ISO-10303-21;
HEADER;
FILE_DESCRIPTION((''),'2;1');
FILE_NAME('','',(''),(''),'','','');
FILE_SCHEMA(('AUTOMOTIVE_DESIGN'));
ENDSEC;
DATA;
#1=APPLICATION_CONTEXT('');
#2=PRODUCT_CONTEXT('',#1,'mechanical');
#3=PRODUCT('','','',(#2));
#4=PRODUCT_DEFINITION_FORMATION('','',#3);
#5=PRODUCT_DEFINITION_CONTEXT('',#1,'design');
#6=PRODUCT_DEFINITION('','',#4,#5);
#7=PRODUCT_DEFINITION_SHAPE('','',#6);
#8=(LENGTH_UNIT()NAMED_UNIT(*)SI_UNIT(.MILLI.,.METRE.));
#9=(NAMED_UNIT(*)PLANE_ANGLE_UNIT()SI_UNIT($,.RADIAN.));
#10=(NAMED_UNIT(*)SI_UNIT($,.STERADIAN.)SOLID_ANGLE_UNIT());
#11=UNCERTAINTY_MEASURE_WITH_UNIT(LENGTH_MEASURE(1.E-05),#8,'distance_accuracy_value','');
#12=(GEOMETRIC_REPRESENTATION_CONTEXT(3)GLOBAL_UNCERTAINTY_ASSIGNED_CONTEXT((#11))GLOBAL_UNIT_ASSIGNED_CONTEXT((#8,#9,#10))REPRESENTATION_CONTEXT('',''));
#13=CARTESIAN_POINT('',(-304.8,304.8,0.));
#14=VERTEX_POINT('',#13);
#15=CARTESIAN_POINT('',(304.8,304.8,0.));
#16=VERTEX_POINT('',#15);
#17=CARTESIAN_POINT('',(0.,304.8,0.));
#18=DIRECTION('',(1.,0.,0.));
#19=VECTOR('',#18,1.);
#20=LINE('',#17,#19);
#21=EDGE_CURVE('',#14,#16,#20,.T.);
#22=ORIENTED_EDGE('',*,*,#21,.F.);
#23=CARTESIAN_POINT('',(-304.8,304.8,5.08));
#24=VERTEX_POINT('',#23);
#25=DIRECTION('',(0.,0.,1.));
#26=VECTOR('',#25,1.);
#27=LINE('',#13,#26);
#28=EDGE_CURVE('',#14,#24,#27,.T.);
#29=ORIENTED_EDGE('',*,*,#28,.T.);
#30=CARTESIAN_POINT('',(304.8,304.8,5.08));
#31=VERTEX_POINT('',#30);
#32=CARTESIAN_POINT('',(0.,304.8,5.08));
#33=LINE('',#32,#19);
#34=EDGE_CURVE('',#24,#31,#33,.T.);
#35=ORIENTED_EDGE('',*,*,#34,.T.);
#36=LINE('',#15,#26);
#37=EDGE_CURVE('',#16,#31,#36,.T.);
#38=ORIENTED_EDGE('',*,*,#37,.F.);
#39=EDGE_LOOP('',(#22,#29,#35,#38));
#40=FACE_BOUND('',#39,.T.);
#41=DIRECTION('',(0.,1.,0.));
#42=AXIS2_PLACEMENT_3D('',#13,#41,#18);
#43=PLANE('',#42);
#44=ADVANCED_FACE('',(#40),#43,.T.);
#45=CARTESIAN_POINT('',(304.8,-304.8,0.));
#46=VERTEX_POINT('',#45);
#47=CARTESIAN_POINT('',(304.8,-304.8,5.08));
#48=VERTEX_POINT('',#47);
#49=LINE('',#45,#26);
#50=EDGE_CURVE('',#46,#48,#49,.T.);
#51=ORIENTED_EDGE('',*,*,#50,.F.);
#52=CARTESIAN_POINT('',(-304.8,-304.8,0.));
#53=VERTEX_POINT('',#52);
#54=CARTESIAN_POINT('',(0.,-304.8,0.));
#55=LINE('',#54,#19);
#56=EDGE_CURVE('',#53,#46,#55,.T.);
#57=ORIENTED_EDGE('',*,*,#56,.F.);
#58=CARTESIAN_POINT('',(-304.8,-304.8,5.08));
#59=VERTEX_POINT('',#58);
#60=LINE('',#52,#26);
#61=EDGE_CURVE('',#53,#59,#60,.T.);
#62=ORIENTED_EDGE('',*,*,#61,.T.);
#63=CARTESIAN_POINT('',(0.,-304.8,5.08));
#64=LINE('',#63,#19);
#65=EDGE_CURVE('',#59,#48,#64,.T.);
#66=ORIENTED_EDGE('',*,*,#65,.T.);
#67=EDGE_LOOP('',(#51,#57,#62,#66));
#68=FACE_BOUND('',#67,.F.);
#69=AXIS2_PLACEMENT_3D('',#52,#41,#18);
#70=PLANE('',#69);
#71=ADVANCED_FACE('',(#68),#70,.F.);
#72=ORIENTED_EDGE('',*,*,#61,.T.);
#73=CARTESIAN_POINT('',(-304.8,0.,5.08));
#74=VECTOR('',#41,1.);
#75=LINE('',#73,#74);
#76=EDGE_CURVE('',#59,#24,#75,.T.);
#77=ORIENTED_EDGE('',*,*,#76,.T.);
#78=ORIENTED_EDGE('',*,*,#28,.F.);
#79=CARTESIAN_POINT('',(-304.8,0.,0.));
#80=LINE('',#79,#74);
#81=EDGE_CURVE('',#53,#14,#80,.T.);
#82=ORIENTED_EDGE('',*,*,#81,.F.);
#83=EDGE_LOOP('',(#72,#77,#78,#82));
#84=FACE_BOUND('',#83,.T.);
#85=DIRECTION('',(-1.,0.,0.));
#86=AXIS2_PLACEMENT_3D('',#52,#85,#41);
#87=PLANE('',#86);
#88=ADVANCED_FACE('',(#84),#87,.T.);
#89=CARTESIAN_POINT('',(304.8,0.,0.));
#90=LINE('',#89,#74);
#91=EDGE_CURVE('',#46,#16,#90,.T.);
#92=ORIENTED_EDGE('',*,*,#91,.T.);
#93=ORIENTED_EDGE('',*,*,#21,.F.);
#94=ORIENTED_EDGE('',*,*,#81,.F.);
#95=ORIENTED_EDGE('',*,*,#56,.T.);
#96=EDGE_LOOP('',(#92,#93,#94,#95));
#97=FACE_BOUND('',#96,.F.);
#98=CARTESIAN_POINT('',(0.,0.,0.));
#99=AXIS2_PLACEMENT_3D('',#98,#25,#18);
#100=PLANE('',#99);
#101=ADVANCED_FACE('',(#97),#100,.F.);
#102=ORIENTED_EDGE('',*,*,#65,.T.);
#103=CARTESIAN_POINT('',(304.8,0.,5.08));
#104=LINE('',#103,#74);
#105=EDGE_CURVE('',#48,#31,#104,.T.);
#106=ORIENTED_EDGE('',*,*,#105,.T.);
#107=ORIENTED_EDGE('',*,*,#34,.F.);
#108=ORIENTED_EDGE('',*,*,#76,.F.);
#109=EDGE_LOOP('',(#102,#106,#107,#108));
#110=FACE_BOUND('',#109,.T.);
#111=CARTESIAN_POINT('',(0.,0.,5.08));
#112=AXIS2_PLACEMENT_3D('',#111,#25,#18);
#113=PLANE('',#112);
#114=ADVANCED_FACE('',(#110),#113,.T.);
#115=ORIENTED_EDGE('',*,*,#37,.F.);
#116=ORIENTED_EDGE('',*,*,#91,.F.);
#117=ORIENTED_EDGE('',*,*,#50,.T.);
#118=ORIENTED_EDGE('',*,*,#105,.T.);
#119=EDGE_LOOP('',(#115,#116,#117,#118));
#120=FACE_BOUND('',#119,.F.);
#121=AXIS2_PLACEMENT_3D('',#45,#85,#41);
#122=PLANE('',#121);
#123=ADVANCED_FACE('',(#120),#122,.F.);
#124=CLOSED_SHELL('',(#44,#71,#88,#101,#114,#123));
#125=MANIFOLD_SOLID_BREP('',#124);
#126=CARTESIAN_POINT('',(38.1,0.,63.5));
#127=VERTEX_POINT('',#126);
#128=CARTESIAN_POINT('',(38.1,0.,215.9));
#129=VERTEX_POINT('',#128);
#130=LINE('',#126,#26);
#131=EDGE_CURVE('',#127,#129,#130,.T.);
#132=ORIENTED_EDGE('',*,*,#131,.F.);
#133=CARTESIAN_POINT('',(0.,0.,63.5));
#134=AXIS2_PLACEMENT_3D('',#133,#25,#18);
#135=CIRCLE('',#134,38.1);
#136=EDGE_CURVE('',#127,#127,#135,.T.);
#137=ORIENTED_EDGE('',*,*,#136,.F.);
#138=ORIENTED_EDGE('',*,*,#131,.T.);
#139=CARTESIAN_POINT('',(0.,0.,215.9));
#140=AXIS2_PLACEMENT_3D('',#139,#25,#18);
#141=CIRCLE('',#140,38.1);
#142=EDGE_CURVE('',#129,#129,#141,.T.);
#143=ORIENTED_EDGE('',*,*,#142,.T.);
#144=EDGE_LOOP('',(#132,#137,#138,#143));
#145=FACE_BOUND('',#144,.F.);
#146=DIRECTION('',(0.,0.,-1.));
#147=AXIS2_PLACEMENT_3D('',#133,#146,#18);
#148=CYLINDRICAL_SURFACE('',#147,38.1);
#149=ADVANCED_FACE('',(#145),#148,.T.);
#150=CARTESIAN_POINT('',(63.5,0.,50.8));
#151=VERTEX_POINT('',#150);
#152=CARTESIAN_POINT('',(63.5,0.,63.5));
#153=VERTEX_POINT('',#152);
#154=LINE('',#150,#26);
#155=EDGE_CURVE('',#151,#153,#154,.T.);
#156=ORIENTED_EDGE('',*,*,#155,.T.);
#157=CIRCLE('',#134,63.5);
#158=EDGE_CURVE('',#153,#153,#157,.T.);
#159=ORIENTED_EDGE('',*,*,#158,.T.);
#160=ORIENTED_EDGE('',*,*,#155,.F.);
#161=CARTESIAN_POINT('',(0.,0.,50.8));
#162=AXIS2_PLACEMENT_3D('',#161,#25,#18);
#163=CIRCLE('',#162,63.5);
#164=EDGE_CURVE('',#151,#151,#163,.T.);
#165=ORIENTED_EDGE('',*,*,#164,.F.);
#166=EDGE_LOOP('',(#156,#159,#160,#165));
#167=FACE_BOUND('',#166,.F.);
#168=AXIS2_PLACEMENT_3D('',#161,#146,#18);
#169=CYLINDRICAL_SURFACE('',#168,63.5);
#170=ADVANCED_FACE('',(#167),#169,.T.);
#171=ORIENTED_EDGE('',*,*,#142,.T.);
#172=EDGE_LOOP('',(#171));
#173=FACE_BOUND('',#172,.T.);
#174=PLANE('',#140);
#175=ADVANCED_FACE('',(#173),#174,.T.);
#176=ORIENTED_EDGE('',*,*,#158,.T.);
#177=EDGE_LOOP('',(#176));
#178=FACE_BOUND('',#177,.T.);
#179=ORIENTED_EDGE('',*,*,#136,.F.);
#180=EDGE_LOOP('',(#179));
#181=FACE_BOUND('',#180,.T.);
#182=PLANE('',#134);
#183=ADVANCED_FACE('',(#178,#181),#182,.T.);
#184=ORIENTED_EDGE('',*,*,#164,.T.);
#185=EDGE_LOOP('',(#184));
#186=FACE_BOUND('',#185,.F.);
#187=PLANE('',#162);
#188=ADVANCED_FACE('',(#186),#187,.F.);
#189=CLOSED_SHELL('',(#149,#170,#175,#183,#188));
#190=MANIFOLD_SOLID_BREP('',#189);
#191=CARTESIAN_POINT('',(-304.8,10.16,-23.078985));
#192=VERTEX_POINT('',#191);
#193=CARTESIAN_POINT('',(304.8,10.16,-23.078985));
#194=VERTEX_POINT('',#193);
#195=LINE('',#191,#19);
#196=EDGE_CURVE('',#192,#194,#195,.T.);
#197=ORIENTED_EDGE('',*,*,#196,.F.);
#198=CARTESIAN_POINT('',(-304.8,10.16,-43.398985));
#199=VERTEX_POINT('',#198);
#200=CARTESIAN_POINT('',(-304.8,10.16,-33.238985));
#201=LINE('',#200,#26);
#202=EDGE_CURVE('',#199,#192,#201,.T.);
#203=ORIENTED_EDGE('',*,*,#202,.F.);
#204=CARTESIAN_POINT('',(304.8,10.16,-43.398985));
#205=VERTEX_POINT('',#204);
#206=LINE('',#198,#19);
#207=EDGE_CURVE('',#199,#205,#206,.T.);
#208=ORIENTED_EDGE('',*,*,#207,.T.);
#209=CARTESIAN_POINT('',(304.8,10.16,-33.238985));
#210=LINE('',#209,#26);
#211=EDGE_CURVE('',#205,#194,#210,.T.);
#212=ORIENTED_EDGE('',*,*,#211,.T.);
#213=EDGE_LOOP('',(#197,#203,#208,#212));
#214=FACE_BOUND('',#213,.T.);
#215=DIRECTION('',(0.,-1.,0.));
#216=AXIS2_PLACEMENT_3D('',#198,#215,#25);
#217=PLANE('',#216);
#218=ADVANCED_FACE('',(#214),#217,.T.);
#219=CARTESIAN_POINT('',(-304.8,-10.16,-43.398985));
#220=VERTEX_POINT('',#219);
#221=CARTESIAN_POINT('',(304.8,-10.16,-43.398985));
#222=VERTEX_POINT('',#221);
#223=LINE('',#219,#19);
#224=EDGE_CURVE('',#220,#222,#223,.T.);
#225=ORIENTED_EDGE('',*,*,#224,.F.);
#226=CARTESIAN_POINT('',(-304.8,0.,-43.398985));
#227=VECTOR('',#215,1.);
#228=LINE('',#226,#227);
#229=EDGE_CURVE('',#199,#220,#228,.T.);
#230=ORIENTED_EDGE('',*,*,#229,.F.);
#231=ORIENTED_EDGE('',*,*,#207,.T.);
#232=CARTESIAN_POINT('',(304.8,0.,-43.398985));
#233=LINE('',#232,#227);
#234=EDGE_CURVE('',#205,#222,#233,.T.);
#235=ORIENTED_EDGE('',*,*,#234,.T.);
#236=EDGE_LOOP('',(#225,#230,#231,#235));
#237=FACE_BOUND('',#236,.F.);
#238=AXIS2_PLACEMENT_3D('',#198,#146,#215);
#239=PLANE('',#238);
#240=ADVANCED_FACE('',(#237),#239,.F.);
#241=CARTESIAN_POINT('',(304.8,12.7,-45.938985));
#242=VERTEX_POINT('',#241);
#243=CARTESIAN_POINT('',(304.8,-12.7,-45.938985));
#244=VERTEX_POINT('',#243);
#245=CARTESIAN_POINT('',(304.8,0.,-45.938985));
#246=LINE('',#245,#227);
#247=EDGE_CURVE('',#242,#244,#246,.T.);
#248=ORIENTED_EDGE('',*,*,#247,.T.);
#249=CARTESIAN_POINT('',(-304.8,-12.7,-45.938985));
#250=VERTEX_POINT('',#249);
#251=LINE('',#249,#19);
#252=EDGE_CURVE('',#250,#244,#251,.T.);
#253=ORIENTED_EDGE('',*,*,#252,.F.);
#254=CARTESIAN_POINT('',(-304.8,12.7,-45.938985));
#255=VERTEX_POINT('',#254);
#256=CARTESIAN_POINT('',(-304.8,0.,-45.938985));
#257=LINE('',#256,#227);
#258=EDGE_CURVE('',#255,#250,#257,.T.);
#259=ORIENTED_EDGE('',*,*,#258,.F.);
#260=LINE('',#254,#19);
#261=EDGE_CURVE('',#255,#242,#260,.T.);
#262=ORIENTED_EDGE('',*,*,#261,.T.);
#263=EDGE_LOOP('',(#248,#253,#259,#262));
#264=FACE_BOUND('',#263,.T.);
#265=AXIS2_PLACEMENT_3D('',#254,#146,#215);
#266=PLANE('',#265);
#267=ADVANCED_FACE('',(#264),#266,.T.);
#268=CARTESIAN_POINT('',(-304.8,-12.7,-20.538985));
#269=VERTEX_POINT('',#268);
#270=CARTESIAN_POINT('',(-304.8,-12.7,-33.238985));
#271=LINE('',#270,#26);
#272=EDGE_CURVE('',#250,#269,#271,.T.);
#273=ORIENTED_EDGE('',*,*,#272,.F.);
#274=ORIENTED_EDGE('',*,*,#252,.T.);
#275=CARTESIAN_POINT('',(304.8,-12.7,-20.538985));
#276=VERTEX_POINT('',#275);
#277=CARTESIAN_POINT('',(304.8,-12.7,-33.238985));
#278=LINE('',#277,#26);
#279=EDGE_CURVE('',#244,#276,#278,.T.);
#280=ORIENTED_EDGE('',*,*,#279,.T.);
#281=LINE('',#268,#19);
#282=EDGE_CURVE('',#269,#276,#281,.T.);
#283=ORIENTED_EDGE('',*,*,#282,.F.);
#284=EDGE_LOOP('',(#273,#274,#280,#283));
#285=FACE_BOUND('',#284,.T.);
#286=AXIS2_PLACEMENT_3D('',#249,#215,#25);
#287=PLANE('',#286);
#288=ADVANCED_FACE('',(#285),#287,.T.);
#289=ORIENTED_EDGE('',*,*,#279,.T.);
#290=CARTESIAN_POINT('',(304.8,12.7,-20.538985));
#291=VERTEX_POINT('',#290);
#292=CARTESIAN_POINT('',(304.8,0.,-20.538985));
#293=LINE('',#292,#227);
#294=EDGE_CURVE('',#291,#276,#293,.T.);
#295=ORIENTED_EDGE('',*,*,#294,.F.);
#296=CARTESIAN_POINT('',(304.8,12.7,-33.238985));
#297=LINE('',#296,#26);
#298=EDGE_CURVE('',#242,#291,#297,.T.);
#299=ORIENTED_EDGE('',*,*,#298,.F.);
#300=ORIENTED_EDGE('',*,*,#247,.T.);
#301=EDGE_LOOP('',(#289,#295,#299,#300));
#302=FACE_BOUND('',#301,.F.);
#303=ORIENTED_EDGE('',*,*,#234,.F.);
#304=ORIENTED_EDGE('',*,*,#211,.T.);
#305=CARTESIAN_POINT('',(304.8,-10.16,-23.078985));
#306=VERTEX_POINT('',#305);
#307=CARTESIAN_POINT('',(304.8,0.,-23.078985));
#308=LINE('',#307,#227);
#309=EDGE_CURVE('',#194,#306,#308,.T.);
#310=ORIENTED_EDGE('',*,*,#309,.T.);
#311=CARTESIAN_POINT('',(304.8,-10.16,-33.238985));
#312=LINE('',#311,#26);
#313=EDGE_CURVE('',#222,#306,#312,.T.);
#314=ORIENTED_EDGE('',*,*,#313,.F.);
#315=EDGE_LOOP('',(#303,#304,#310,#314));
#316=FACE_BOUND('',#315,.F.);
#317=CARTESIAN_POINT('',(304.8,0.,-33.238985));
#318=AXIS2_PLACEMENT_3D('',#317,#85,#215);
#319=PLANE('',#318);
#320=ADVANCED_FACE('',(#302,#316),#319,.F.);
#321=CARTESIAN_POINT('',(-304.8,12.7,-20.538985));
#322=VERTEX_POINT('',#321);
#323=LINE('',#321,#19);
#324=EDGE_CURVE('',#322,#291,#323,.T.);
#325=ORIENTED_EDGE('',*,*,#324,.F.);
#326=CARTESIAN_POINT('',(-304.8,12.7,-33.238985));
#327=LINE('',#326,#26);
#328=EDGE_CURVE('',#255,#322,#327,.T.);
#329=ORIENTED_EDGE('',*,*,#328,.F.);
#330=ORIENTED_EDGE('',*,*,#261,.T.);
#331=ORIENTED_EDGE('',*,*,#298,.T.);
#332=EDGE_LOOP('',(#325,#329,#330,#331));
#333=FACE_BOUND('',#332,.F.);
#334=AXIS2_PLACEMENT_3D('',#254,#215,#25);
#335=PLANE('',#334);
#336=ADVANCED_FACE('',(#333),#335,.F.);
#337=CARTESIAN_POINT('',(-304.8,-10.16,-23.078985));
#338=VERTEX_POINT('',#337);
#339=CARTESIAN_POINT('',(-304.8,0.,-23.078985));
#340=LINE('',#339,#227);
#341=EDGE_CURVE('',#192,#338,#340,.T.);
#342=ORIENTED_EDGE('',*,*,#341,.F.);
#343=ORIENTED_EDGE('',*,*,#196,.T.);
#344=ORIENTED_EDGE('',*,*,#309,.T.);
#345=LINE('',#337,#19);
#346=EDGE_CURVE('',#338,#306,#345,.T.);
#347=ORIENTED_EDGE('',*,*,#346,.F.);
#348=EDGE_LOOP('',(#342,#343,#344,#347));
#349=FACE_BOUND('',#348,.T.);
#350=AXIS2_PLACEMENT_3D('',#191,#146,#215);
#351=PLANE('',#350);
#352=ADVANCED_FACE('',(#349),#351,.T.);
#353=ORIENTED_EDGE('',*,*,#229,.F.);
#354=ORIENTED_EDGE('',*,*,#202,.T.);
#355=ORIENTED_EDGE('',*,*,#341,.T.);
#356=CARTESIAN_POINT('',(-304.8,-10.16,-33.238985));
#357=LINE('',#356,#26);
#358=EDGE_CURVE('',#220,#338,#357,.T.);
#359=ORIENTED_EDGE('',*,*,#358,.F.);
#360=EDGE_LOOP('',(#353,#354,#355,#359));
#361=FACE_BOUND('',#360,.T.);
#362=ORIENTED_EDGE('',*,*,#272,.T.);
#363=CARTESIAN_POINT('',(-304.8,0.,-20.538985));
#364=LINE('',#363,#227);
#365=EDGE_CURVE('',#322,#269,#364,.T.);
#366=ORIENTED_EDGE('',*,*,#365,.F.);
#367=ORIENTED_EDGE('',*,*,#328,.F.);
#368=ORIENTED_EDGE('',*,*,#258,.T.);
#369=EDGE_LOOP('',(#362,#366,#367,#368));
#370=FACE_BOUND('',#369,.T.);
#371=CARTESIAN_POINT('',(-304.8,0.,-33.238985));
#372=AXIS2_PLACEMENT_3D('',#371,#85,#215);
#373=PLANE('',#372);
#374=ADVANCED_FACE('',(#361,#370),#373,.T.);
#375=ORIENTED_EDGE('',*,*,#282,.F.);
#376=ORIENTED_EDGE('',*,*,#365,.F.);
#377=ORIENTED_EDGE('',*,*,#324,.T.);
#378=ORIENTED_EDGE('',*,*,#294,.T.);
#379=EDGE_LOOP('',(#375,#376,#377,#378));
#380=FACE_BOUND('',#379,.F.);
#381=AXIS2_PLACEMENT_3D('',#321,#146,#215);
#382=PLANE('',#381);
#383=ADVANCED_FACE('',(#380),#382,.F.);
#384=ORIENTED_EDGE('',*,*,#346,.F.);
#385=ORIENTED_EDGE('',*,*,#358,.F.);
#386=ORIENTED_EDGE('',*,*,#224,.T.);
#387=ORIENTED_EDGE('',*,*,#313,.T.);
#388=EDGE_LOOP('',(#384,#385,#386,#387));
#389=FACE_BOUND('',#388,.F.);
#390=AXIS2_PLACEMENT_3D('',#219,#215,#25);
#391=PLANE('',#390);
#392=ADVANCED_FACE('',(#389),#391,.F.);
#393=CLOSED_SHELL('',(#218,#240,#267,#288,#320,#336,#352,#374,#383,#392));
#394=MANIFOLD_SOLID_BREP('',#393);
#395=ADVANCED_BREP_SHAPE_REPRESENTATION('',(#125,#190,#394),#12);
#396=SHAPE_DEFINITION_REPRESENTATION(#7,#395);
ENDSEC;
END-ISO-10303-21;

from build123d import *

# Parameters (mm, degrees)
F0_W     = 609.6
F0_H     = 609.6
F1_DEPTH = 5.08
F2_W     = 25.4
F2_H     = 25.4
F2_W_2   = 20.32
F2_H_2   = 20.32
F3_DEPTH = 609.6
F5_R     = 63.5
F6_DEPTH = 12.7
F7_R     = 38.1
F8_DEPTH = 152.4


with BuildPart() as f1:
    # F0 (on Top) → F1 (new body)
    with BuildSketch(Plane.XY):
        Rectangle(F0_W, F0_H)
    extrude(amount=F1_DEPTH)


with BuildPart() as f3:
    # F2 (on face) → F3 (new body)
    with BuildSketch(Plane(origin=(-304.8, 0, 0), x_dir=(0, -1, 0), z_dir=(-1, 0, 0))):
        with Locations((0, -33.238985)):
            Rectangle(F2_W, F2_H)
        with Locations((0, -33.238985)):
            Rectangle(F2_W_2, F2_H_2, mode=Mode.SUBTRACT)
    extrude(amount=-F3_DEPTH)


with BuildPart() as f6:
    # F5 (on offset) → F6 (new body)
    with BuildSketch(Plane.XY.offset(50.8)):
        Circle(F5_R)
    extrude(amount=F6_DEPTH)

    # F7 (on face) → F8 (join)
    with BuildSketch(Plane.XY.offset(63.5)):
        Circle(F7_R)
    extrude(amount=F8_DEPTH)


solid = Compound([f1.part, f3.part, f6.part])
